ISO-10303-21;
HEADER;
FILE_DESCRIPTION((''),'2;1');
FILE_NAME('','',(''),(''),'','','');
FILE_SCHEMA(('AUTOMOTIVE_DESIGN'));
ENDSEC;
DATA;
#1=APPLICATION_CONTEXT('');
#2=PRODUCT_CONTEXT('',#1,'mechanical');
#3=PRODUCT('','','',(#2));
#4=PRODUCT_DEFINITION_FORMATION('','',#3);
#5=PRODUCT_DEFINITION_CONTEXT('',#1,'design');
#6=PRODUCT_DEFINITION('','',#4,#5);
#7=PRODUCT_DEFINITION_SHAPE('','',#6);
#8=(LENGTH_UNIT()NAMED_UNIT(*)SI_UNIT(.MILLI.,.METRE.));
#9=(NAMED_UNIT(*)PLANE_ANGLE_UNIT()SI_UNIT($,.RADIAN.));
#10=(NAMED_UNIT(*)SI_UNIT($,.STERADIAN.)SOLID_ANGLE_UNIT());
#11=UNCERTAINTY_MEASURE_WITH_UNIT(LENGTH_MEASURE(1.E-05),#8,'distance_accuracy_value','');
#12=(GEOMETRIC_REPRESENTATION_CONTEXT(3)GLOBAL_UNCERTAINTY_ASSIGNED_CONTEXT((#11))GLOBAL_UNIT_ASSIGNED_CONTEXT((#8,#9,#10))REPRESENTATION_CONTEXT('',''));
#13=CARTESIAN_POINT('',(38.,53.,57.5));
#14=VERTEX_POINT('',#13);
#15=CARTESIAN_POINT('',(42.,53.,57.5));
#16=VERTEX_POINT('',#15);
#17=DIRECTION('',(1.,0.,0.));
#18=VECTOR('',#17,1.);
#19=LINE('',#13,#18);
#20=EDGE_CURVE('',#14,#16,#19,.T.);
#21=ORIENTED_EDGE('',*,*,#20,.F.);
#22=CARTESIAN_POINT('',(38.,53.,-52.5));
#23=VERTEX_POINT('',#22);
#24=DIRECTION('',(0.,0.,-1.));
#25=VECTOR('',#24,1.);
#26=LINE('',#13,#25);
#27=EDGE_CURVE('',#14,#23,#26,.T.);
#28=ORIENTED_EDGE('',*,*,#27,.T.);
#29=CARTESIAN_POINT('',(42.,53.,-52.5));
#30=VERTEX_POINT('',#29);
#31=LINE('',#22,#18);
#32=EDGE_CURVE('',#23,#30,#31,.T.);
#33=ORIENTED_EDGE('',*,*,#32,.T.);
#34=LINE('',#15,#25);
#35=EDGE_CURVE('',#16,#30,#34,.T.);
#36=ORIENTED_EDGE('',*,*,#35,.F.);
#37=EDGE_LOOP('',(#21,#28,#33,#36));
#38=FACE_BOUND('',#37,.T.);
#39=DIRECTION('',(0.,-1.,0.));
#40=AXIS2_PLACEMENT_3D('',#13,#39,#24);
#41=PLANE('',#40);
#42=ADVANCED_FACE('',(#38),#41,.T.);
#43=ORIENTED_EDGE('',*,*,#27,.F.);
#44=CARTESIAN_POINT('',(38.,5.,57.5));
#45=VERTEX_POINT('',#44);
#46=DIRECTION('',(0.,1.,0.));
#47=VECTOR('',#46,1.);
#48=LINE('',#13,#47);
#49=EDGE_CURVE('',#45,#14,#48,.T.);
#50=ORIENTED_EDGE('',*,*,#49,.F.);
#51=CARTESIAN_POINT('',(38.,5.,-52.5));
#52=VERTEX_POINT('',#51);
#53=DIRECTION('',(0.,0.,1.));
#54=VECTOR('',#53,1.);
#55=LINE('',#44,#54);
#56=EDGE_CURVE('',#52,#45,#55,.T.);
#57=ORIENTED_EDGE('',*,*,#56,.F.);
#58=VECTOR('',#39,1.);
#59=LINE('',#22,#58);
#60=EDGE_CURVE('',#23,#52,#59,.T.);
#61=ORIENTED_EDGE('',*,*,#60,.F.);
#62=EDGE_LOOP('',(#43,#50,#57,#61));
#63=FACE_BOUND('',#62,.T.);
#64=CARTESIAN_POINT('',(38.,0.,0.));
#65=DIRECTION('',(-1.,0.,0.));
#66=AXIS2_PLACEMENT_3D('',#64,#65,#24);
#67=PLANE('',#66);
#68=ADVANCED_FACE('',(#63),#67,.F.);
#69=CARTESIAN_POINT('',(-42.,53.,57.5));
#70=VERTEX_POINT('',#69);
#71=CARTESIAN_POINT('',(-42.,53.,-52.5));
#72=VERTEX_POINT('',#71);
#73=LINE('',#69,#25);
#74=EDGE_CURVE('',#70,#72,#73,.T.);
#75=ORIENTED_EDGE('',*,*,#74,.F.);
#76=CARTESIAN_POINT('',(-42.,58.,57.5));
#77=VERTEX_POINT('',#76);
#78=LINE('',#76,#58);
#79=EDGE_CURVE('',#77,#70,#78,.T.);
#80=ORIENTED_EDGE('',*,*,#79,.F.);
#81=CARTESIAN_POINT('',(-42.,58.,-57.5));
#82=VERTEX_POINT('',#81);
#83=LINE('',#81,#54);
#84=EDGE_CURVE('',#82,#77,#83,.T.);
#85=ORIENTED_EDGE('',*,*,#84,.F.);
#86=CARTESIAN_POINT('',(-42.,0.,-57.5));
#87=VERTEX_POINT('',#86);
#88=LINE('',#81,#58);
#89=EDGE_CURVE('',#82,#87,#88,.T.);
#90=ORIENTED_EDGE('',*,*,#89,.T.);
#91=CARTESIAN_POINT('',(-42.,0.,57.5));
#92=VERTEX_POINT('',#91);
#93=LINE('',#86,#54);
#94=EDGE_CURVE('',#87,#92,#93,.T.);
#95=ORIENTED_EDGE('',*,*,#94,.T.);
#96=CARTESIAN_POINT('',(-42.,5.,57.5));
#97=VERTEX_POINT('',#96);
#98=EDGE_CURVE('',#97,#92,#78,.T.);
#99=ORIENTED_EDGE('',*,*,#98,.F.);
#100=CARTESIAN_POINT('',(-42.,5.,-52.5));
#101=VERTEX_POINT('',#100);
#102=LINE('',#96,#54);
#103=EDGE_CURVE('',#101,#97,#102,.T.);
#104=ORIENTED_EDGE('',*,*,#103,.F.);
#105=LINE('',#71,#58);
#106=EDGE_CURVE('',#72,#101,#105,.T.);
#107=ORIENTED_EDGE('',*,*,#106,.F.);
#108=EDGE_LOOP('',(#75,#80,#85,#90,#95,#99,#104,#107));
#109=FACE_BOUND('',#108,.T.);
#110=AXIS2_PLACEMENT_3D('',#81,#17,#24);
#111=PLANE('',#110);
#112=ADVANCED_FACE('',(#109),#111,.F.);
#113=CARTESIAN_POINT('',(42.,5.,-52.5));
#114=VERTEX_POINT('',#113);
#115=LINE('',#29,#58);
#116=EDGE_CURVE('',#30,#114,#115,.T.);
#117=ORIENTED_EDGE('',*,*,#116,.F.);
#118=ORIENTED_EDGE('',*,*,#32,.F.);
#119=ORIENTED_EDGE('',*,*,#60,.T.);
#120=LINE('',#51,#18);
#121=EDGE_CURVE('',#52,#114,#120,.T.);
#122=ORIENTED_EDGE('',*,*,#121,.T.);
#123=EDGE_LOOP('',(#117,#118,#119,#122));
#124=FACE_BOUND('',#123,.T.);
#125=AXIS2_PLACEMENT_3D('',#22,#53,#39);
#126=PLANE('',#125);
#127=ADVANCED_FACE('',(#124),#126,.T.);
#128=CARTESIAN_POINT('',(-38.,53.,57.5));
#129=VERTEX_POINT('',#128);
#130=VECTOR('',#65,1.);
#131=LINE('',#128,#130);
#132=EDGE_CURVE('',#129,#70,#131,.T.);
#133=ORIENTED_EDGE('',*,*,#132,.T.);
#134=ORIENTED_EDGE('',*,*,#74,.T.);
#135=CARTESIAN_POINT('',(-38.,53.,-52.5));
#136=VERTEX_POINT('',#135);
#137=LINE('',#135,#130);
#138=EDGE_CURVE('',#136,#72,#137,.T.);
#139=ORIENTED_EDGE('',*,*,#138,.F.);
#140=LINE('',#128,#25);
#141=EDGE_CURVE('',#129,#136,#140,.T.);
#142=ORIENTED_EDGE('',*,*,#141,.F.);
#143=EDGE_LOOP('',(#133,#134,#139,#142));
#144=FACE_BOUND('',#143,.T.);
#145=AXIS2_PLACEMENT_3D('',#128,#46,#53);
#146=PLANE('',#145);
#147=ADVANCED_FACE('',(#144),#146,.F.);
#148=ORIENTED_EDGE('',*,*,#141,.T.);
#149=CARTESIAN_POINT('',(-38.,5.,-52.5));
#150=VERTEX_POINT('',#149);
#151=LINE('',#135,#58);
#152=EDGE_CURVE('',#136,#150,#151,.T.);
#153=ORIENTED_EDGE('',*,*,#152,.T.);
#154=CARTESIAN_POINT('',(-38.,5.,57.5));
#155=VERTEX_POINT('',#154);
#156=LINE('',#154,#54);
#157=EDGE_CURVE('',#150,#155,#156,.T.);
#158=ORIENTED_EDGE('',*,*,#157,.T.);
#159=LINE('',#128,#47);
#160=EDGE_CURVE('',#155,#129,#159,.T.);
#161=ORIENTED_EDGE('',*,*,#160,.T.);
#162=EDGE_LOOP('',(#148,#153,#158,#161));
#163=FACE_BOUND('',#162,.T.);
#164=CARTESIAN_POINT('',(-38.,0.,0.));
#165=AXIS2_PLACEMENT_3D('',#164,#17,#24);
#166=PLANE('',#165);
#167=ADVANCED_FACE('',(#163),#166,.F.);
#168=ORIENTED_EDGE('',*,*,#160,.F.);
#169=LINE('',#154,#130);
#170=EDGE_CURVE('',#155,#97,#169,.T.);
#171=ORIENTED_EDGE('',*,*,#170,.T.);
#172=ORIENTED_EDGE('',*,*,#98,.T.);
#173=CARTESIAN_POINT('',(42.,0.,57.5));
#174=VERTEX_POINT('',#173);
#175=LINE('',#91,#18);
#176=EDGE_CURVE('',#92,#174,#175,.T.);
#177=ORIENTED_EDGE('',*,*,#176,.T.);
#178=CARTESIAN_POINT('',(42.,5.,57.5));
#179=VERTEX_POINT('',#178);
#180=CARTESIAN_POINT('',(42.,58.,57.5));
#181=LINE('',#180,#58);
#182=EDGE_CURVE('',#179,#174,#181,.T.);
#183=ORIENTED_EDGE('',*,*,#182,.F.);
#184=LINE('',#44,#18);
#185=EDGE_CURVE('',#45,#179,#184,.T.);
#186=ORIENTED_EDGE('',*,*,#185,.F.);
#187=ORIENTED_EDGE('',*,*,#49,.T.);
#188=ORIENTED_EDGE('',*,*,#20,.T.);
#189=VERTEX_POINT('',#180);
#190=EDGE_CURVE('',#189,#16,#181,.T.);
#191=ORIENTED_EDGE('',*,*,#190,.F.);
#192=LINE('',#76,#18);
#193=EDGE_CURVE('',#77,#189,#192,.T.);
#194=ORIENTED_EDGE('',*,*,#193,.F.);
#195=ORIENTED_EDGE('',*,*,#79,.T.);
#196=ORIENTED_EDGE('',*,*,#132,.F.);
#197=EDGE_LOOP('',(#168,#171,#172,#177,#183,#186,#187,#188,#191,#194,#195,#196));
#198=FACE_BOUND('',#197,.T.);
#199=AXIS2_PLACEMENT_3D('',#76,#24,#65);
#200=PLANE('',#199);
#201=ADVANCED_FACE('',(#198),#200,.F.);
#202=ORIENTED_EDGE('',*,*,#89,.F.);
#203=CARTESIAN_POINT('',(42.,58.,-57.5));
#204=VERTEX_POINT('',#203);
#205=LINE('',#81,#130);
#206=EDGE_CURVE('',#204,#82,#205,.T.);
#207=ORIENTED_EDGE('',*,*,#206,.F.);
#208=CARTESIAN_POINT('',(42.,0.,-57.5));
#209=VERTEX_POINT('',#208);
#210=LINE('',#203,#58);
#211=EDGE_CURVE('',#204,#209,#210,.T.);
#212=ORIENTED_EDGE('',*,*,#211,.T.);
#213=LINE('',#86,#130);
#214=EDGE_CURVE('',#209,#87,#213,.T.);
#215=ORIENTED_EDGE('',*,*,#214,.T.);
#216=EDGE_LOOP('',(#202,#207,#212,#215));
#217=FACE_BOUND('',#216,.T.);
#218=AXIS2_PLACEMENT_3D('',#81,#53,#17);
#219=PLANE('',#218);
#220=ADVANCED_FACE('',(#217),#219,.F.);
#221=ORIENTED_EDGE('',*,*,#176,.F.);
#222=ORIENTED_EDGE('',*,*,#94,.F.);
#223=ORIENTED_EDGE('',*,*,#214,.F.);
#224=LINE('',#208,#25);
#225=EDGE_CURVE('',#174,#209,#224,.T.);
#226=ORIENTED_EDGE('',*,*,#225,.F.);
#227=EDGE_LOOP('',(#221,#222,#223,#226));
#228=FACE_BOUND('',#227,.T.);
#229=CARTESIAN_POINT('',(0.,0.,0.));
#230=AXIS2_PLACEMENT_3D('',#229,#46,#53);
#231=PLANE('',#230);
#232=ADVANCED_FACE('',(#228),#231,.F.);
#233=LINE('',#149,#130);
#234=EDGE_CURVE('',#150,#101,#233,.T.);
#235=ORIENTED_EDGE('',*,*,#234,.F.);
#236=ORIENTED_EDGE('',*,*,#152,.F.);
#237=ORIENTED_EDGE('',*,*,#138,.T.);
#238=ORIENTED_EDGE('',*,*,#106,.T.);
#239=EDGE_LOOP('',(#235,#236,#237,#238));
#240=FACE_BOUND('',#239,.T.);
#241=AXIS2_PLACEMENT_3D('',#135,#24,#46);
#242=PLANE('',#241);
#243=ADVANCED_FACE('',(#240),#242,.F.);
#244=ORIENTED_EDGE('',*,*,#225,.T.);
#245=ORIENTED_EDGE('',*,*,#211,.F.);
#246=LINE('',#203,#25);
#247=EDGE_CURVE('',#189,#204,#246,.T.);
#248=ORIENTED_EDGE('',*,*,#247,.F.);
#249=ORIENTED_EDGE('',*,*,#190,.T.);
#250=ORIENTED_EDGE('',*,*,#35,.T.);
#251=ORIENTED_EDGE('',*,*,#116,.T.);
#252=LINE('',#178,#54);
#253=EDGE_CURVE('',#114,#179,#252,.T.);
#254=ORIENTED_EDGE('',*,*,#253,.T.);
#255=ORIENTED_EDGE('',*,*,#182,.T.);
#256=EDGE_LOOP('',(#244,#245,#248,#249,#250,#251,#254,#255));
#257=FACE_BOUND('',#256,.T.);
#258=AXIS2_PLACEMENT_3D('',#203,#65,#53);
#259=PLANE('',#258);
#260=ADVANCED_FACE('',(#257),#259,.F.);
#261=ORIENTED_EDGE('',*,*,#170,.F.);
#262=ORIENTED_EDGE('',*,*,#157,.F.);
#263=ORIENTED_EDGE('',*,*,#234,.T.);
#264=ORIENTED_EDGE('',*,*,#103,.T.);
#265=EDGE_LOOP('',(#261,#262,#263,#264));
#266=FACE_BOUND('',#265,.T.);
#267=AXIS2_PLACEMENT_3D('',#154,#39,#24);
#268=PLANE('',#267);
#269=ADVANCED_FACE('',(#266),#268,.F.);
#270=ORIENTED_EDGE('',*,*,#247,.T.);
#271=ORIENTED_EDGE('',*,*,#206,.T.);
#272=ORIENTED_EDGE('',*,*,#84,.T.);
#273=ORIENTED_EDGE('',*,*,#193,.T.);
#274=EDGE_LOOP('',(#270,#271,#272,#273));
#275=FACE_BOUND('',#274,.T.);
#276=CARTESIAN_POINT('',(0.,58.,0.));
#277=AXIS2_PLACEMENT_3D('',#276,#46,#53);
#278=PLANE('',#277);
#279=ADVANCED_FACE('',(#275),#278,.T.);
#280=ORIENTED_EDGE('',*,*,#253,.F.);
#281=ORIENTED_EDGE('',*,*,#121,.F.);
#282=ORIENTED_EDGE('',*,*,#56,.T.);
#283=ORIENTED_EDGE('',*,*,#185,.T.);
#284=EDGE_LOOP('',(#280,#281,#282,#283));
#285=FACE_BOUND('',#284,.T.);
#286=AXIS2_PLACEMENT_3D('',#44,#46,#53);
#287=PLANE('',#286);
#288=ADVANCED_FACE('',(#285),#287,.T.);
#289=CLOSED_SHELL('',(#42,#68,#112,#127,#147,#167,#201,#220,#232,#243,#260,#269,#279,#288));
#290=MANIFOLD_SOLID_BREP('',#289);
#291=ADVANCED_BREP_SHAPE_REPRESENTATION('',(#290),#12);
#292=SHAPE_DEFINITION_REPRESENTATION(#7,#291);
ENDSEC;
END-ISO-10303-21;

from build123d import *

# Parameters (mm, degrees)
ESQUISSE1_W             = 84
ESQUISSE1_H             = 115
BOSS_EXTRU_1_DEPTH      = 58
ESQUISSE2_W             = 110
ESQUISSE2_H             = 48
ENL_V_MAT_EXTRU_1_DEPTH = 4


with BuildPart() as part:
    # Esquisse1 → Boss.-Extru.1 (new body)
    with BuildSketch(Plane(origin=(0, 0, 0), x_dir=(1, 0, 0), z_dir=(0, 1, 0))):
        Rectangle(ESQUISSE1_W, ESQUISSE1_H)
    extrude(amount=BOSS_EXTRU_1_DEPTH)

    # Esquisse2 → Enlèv. mat.-Extru.1 (cut)
    with BuildSketch(Plane.ZY.offset(42)):
        with Locations((2.5, 29)):
            Rectangle(ESQUISSE2_W, ESQUISSE2_H)
    enl_v_mat_extru_1 = extrude(amount=-ENL_V_MAT_EXTRU_1_DEPTH, mode=Mode.SUBTRACT)

    # Symétrie1: Enlèv. mat.-Extru.1 across plane
    add(enl_v_mat_extru_1.mirror(Plane(origin=(0, 0, 0), x_dir=(0, 0, 1), z_dir=(1, 0, 0))), mode=Mode.SUBTRACT)


solid = part.part
